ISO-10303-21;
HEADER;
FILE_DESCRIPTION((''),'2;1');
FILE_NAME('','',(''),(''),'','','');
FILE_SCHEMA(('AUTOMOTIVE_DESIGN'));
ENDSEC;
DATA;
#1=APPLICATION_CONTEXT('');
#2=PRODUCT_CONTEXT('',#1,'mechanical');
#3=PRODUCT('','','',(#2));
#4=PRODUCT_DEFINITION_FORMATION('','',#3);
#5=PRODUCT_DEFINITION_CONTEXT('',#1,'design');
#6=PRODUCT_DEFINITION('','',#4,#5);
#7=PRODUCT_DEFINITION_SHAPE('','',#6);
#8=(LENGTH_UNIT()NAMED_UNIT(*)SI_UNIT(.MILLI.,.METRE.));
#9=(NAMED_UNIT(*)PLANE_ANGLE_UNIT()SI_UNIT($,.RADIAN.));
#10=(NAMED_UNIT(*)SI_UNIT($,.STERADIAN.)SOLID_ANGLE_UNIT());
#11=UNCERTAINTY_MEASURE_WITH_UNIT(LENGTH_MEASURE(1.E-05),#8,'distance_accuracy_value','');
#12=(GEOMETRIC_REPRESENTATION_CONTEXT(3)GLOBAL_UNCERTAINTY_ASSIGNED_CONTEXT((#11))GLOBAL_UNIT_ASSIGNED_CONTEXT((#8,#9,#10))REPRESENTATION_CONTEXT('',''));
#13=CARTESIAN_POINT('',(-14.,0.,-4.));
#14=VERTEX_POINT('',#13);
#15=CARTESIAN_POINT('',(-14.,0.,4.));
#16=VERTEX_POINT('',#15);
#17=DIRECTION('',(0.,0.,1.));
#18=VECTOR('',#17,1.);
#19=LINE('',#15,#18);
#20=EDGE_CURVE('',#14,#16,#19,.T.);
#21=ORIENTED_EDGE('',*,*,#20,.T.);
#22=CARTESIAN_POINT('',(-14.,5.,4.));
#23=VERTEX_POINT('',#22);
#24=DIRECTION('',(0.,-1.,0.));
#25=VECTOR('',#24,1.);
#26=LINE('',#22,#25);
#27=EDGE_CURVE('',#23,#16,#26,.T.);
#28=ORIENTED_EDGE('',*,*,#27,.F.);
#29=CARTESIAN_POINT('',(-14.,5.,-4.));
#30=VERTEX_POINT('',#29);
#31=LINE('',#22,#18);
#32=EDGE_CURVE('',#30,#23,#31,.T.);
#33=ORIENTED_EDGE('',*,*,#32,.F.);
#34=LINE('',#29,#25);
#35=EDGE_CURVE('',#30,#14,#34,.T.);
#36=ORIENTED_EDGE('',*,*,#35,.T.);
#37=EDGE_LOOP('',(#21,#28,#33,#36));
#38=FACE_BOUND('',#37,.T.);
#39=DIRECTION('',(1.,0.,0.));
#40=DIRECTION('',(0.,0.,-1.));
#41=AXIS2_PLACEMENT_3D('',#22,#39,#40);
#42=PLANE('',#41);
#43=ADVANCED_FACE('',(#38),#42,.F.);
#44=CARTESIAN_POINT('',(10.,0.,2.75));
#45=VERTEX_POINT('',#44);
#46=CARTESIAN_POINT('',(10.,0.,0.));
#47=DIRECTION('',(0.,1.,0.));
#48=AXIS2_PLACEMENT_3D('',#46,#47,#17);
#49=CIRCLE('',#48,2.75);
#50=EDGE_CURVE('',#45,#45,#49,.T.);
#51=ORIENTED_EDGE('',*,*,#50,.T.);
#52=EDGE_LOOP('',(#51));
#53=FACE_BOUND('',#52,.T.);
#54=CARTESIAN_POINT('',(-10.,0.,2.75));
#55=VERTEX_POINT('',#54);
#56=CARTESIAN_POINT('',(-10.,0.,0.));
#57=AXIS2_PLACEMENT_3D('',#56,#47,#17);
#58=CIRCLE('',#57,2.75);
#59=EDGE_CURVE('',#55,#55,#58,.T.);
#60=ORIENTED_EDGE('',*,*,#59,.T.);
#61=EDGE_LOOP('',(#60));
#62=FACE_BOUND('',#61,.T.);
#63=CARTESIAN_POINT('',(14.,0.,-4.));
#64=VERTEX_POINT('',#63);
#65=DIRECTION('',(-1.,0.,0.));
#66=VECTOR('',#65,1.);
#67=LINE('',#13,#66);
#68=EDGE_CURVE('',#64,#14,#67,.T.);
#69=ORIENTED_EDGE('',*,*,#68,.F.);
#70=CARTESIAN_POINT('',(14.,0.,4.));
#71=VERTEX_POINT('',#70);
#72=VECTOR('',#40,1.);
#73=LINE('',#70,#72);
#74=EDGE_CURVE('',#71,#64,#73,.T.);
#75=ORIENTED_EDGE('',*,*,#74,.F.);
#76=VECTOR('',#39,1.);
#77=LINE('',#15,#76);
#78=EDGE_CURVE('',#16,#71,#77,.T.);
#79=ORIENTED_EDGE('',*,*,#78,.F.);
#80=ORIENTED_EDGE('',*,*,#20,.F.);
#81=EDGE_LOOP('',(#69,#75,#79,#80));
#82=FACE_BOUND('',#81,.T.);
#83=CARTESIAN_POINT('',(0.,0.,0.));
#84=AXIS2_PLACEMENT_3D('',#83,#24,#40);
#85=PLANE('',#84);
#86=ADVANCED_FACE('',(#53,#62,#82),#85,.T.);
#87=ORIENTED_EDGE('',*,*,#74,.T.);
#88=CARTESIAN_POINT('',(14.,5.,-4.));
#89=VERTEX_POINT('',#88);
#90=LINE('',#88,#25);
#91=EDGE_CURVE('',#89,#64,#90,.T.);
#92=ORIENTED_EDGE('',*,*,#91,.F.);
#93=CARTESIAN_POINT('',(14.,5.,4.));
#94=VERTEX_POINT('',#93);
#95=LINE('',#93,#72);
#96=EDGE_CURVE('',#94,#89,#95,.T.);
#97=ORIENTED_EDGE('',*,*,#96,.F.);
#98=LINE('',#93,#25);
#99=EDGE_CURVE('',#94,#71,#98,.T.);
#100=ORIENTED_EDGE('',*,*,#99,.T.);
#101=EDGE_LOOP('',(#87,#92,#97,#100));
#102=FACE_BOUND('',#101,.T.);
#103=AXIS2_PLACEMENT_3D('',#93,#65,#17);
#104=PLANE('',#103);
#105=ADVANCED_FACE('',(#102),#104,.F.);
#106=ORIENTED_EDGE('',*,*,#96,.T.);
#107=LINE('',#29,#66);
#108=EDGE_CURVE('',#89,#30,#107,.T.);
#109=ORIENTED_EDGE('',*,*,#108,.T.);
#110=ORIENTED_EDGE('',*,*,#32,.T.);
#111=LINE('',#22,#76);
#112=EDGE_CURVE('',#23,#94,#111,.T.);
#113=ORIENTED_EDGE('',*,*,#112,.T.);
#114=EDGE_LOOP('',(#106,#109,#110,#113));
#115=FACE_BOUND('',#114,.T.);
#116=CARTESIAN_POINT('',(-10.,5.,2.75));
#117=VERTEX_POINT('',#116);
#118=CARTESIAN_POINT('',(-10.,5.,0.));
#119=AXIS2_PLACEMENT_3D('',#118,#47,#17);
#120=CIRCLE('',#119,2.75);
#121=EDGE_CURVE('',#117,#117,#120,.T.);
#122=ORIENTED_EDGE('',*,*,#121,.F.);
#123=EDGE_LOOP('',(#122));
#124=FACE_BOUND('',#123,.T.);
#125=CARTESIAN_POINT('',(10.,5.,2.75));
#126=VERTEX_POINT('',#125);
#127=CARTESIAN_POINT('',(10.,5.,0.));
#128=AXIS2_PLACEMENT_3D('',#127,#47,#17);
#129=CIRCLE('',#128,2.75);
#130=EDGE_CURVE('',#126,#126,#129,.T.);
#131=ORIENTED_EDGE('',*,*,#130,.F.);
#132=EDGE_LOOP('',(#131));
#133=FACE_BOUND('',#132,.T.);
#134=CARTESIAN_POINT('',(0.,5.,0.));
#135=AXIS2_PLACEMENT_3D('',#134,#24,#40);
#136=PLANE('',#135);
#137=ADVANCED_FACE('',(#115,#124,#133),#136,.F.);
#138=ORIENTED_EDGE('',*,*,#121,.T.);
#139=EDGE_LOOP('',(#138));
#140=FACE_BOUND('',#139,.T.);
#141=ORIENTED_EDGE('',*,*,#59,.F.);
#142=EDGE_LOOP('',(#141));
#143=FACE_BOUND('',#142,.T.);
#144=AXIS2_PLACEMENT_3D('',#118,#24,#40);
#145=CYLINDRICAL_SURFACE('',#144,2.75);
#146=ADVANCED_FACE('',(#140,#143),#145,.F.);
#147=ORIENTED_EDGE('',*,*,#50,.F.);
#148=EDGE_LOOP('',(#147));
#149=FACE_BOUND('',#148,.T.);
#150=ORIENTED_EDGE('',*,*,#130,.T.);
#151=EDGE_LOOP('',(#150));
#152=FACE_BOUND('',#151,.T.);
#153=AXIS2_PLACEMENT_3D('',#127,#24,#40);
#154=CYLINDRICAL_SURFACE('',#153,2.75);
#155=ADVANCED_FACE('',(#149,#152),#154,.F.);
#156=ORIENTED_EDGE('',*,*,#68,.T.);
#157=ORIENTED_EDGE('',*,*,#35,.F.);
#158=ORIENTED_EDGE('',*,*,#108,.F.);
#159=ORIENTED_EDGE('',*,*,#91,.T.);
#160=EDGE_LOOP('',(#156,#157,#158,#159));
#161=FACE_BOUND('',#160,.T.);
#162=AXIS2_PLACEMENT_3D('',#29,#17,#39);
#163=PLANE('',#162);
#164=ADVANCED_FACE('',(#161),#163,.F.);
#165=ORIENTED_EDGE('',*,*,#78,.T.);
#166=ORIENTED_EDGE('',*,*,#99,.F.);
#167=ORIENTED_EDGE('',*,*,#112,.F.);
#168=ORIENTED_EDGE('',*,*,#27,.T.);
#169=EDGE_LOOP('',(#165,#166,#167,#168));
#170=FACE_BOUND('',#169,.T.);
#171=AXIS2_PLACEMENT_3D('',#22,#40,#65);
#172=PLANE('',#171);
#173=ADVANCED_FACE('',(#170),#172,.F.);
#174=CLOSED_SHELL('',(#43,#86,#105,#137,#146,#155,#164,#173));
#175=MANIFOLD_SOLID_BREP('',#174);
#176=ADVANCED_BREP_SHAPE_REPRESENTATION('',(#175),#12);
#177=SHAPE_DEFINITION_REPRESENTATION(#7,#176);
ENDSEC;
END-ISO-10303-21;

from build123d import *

# Parameters (mm, degrees)
SKETCH2_W           = 28
SKETCH2_H           = 8
SKETCH2_R           = 2.75
BOSS_EXTRUDE1_DEPTH = 5


with BuildPart() as part:
    # Sketch2 → Boss-Extrude1 (new body)
    with BuildSketch(Plane(origin=(0, 0, 0), x_dir=(1, 0, 0), z_dir=(0, 1, 0))):
        Rectangle(SKETCH2_W, SKETCH2_H)
        with Locations(Location((10, 0, 0), (0, 0, 270))):
            Circle(SKETCH2_R, mode=Mode.SUBTRACT)
        with Locations(Location((-10, 0, 0), (0, 0, 270))):
            Circle(SKETCH2_R, mode=Mode.SUBTRACT)
    extrude(amount=BOSS_EXTRUDE1_DEPTH)


solid = part.part
